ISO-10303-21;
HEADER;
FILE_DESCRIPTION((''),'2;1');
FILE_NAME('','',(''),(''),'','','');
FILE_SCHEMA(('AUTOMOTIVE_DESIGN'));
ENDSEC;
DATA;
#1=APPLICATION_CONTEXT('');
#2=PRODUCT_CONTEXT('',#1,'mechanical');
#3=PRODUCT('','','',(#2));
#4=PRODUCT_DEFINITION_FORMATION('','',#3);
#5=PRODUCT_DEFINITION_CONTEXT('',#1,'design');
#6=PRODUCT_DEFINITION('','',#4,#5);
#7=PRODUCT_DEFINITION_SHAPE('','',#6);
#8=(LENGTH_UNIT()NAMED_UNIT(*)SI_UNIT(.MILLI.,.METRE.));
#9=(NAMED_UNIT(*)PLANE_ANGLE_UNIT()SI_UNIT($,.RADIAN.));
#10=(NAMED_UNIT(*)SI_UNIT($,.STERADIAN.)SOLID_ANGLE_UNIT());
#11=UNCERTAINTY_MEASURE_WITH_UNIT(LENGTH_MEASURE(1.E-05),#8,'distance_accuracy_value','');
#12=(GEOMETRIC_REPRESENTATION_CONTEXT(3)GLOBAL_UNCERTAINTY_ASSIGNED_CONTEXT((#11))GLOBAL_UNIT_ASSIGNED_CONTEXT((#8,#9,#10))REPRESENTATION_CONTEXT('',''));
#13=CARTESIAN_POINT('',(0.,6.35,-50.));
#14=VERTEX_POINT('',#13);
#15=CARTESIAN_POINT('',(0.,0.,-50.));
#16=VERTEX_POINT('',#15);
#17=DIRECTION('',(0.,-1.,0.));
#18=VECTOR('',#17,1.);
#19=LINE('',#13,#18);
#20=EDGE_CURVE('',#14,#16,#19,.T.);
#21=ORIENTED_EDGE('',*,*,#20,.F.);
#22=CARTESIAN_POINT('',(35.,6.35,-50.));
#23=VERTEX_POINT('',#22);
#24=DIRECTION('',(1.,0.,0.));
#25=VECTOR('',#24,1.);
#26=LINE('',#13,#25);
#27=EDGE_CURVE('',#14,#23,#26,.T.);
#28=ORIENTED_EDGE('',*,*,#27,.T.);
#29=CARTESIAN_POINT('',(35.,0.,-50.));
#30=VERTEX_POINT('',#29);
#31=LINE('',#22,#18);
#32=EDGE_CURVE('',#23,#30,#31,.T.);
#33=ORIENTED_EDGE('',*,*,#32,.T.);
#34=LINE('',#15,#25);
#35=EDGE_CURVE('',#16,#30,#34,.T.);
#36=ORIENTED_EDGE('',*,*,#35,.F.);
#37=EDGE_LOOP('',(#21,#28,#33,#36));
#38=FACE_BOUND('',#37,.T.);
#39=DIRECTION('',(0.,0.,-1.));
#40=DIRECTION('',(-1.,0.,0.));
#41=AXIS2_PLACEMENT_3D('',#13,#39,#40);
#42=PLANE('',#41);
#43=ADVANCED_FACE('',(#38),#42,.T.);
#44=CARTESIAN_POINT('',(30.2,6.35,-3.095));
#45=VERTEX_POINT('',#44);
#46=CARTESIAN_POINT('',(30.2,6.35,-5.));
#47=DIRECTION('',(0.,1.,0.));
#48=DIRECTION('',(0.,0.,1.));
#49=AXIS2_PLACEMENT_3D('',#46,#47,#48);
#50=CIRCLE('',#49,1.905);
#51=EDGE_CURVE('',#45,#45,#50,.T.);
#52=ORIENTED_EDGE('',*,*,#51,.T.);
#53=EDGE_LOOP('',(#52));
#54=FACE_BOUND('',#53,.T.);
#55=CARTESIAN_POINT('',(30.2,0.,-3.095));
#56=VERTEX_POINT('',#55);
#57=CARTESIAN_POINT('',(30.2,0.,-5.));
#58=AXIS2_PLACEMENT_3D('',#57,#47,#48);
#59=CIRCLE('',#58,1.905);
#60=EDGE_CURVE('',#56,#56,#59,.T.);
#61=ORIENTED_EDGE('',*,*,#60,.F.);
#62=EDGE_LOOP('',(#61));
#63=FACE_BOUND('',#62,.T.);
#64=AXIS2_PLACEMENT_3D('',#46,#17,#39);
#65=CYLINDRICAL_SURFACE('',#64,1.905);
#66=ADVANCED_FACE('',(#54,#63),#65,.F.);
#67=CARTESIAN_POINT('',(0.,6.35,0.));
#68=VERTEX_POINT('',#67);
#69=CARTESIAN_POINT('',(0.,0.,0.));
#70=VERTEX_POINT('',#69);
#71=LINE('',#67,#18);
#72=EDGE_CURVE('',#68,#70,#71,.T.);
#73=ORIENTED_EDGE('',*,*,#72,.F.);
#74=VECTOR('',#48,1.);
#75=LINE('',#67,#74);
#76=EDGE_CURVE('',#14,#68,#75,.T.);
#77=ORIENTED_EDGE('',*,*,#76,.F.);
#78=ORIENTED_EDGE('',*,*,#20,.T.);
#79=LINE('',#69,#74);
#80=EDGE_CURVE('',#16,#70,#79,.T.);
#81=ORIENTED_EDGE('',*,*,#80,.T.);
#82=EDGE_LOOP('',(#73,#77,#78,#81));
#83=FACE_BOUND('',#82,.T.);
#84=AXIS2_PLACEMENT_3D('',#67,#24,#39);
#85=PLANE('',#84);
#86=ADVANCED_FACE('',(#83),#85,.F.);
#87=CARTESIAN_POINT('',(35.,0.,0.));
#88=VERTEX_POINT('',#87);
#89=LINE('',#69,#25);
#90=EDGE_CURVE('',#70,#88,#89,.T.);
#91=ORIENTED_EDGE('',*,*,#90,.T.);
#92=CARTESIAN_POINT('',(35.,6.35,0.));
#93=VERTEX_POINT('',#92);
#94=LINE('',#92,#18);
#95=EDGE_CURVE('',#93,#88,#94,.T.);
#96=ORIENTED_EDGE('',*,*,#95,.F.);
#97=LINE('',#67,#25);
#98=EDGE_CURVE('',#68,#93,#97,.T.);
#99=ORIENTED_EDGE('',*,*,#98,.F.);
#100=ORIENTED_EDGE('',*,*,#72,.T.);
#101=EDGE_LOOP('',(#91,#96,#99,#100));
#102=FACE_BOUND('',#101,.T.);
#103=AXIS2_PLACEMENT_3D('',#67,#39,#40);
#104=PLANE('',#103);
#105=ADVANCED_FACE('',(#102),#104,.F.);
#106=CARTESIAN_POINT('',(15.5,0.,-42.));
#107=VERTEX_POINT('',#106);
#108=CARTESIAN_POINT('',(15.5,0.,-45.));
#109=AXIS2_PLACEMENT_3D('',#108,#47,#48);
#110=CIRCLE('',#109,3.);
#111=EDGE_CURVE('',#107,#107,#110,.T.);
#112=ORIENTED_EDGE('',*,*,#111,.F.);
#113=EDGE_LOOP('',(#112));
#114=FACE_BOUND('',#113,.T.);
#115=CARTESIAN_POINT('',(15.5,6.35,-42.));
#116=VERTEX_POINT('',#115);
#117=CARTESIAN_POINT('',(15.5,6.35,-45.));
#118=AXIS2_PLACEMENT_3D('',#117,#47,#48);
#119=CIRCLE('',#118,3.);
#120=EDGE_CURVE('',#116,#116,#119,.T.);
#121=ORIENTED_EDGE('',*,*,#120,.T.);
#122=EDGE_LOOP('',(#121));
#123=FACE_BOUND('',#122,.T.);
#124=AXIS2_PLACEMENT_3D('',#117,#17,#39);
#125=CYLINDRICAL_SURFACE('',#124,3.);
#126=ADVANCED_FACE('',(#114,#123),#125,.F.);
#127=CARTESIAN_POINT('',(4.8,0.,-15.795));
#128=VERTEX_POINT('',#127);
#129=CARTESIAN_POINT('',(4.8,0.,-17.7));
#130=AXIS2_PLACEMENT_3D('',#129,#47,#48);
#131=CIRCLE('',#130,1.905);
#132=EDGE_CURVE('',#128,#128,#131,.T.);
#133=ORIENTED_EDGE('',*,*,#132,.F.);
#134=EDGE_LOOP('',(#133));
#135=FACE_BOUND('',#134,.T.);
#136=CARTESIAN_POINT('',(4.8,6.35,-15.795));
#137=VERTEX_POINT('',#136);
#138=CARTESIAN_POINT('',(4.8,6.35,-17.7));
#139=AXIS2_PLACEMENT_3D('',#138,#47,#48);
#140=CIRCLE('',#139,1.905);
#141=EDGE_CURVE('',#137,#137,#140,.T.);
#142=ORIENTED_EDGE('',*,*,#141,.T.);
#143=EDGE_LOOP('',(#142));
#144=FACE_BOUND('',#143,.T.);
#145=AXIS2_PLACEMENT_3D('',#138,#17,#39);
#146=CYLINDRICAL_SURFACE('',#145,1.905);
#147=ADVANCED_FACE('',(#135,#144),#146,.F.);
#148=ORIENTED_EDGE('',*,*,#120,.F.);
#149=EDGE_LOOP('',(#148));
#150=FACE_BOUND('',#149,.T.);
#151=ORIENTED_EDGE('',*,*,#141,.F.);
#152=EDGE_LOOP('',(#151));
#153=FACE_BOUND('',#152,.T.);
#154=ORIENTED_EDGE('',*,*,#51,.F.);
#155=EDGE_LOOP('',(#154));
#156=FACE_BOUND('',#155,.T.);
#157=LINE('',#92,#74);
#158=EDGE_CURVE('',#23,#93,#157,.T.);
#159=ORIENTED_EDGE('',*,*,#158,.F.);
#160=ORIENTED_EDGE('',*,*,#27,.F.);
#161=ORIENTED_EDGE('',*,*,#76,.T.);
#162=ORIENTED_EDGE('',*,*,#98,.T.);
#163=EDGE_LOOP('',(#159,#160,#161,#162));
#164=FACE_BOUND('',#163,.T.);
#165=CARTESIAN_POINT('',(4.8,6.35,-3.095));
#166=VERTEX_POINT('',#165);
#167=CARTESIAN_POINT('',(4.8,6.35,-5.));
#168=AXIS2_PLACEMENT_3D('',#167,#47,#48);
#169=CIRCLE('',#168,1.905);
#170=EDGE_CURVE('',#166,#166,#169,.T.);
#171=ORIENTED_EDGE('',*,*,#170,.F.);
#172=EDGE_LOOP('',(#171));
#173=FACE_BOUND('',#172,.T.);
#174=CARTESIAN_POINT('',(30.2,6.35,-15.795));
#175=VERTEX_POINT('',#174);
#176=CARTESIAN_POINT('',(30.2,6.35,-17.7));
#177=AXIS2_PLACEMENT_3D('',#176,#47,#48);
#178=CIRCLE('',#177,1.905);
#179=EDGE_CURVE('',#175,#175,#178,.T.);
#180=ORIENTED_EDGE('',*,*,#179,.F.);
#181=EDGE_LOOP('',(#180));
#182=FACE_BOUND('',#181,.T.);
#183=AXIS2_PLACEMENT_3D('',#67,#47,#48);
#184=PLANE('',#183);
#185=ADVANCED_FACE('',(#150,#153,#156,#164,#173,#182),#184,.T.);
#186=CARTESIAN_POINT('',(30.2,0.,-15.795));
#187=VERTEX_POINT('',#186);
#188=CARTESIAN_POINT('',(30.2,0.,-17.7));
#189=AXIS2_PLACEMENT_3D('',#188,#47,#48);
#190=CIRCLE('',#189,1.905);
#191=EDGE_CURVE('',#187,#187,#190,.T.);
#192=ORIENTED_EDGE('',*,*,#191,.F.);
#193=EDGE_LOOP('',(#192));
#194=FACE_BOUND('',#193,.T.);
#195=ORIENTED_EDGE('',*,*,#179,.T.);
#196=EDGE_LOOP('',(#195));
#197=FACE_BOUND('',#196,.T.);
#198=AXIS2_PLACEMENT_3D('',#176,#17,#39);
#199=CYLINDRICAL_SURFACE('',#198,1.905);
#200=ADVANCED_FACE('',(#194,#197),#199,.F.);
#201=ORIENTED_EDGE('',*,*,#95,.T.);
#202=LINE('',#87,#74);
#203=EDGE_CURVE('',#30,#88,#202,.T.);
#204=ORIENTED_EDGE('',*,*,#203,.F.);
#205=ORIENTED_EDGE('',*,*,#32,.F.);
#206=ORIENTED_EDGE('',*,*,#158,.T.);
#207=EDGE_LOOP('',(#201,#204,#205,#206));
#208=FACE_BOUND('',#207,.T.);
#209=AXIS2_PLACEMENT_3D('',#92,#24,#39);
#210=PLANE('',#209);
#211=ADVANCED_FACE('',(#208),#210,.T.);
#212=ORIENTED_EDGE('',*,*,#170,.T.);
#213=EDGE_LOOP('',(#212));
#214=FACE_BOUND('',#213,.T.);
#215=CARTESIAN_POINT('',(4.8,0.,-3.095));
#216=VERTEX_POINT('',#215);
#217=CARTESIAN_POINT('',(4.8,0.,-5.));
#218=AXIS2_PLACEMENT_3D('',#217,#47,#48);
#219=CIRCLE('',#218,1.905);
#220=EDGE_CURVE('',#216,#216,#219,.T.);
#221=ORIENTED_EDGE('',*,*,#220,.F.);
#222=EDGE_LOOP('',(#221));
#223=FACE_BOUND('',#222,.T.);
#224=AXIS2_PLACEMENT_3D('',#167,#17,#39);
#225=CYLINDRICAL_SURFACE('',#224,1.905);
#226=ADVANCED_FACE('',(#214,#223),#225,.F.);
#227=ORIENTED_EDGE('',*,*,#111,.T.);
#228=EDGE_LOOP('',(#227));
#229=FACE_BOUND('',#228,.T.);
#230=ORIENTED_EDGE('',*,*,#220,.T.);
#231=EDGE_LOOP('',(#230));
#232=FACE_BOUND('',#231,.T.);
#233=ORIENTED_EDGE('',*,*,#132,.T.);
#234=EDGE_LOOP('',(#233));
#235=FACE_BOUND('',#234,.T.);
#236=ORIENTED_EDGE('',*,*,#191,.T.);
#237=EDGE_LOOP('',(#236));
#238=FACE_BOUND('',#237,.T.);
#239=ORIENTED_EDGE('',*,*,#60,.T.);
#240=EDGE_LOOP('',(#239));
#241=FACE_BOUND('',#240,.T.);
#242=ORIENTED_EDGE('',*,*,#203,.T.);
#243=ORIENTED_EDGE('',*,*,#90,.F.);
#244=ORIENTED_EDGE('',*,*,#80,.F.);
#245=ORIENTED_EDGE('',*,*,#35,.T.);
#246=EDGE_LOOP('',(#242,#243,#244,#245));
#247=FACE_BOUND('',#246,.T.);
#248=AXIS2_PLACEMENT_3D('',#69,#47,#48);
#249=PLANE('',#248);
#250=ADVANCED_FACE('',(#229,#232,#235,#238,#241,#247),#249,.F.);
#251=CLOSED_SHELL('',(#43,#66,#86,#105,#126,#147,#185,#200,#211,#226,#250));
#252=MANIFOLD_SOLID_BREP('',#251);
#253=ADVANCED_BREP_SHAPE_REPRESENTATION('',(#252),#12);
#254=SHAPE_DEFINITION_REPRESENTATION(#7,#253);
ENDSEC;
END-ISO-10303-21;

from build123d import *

# Parameters (mm, degrees)
SKETCH1_W           = 35
SKETCH1_H           = 50
SKETCH1_R           = 3
SKETCH1_R_2         = 1.905
BOSS_EXTRUDE1_DEPTH = 6.35


with BuildPart() as part:
    # Sketch1 → Boss-Extrude1 (new body)
    with BuildSketch(Plane(origin=(0, 0, 0), x_dir=(1, 0, 0), z_dir=(0, 1, 0))):
        with Locations((17.5, 25)):
            Rectangle(SKETCH1_W, SKETCH1_H)
        with Locations((15.5, 45)):
            Circle(SKETCH1_R, mode=Mode.SUBTRACT)
        with Locations((4.8, 5)):
            Circle(SKETCH1_R_2, mode=Mode.SUBTRACT)
        with Locations((30.2, 5)):
            Circle(SKETCH1_R_2, mode=Mode.SUBTRACT)
        with Locations((4.8, 17.7)):
            Circle(SKETCH1_R_2, mode=Mode.SUBTRACT)
        with Locations((30.2, 17.7)):
            Circle(SKETCH1_R_2, mode=Mode.SUBTRACT)
    extrude(amount=BOSS_EXTRUDE1_DEPTH)


solid = part.part
